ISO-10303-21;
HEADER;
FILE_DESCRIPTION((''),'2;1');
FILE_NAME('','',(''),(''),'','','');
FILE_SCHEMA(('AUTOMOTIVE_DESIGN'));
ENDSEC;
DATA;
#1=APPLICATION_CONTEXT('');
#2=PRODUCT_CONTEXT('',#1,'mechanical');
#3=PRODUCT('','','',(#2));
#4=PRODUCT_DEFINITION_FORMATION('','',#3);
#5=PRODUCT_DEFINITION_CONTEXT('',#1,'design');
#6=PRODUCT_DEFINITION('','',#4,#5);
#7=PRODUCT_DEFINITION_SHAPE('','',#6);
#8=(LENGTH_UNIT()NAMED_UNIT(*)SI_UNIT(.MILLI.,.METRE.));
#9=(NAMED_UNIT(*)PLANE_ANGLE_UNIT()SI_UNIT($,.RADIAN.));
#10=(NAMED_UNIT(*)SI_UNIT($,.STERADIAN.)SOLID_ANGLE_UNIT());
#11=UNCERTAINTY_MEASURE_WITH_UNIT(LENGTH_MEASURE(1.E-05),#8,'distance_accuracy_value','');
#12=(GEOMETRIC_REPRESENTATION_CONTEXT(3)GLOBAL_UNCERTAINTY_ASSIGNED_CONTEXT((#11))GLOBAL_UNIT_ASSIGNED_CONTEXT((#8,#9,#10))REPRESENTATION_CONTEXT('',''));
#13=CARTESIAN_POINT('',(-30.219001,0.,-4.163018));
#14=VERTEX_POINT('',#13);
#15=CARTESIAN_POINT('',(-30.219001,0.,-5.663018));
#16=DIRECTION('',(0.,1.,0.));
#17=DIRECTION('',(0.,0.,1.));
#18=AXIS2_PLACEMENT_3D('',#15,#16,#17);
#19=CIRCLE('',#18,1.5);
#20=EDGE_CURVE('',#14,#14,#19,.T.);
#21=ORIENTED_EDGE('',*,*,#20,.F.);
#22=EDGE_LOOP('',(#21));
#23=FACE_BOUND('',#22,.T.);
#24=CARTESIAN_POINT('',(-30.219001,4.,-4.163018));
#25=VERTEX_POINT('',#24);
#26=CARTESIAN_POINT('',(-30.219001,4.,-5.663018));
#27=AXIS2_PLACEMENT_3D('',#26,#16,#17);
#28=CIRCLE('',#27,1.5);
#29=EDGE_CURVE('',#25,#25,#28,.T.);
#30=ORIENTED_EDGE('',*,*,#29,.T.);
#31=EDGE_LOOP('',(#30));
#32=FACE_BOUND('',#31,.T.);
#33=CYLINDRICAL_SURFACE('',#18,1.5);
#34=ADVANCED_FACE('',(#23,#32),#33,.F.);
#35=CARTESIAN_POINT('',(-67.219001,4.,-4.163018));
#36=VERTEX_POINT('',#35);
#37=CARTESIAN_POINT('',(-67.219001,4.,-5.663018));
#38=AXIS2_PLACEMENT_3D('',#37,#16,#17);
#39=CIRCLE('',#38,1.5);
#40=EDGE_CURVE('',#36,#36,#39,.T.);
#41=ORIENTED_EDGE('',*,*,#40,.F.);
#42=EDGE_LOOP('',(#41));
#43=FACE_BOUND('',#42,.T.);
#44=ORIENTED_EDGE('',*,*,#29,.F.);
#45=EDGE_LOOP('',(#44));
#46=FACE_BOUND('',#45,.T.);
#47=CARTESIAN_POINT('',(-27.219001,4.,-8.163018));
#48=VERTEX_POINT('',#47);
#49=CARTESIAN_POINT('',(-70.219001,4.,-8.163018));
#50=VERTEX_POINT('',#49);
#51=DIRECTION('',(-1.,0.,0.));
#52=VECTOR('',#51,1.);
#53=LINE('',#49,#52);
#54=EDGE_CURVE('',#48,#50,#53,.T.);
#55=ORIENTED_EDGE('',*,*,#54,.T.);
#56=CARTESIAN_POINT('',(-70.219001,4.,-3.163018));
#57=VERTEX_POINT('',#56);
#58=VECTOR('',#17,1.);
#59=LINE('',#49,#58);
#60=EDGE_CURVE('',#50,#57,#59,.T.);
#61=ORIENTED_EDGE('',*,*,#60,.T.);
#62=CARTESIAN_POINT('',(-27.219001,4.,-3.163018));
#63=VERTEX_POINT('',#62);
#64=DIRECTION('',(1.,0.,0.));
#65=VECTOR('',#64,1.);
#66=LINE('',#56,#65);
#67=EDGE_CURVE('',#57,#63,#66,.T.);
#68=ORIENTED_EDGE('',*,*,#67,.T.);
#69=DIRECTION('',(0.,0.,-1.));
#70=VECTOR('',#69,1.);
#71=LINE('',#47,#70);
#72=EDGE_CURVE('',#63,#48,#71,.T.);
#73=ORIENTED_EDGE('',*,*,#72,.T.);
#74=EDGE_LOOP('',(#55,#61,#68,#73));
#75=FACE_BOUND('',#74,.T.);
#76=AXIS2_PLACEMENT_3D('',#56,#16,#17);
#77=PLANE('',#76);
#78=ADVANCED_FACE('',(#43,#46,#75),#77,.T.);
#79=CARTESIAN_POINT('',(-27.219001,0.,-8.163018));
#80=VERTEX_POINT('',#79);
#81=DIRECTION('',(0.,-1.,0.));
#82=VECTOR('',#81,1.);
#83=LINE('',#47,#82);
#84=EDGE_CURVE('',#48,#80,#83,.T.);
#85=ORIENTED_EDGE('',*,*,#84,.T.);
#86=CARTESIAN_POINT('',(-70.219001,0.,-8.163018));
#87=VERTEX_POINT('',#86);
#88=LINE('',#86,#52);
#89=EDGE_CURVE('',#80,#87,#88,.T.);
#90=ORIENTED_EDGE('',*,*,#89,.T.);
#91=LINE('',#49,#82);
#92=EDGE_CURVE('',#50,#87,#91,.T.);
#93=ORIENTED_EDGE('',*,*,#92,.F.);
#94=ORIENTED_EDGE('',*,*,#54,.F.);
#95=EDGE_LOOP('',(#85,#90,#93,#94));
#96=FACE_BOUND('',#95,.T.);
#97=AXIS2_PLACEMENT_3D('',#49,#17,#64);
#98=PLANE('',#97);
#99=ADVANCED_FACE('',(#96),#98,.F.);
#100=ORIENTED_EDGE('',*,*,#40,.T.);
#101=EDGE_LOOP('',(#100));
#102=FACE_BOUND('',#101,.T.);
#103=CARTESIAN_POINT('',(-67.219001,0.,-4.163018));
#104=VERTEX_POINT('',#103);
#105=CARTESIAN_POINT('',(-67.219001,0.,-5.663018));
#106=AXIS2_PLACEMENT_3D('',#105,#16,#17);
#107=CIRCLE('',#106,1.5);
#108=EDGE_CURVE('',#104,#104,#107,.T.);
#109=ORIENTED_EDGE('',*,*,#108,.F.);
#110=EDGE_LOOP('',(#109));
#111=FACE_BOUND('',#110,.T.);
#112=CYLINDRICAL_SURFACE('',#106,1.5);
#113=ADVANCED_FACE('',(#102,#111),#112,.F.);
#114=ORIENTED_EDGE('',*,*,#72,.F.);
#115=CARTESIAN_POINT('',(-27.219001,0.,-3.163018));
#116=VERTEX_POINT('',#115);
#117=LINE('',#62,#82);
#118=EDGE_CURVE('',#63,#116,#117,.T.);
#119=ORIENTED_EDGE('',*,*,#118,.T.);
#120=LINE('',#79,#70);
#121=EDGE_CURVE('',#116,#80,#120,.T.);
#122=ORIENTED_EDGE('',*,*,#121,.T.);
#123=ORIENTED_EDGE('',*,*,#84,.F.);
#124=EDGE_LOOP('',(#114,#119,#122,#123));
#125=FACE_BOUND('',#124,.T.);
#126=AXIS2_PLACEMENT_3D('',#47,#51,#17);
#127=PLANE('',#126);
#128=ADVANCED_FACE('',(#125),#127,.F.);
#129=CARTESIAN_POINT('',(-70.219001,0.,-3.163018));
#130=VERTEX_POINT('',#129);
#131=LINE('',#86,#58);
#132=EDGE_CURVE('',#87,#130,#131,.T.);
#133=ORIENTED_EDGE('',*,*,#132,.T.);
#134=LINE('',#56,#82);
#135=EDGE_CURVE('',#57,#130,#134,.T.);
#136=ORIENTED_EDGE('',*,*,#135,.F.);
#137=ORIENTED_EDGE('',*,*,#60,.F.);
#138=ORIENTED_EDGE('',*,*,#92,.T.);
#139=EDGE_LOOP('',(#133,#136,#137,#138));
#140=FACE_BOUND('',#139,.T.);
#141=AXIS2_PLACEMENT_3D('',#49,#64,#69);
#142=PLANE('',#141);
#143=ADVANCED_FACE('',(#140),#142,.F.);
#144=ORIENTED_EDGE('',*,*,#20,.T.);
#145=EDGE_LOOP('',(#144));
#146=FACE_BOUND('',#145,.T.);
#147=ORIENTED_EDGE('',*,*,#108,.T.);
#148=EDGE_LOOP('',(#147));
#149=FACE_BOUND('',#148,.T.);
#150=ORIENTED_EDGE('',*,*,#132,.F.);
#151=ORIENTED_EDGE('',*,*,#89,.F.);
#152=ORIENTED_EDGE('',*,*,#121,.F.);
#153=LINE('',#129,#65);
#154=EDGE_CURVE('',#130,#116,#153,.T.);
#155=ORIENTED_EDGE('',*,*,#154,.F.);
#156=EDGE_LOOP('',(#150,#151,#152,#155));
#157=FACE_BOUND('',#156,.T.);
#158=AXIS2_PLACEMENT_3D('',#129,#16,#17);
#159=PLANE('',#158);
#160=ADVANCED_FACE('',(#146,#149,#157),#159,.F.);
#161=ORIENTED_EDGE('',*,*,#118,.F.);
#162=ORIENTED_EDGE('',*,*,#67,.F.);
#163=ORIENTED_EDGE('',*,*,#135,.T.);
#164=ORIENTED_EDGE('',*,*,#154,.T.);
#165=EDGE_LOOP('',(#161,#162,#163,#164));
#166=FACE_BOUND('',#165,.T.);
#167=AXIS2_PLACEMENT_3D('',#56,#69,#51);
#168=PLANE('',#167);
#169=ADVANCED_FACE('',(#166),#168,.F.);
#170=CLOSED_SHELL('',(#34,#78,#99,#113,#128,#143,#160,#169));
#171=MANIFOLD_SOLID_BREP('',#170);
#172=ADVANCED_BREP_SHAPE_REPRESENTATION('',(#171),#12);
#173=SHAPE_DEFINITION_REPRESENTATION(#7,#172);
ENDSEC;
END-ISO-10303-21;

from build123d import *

# Parameters (mm, degrees)
SKETCH_1_W          = 43
SKETCH_1_H          = 5
EXTRUDE_1_DEPTH     = 4
SKETCH_2_R          = 1.5
CUT_EXTRUDE_1_DEPTH = 4


with BuildPart() as part:
    # Эскиз1 → Бобышка-Вытянуть1 (new body)
    with BuildSketch(Plane(origin=(0, 0, 0), x_dir=(1, 0, 0), z_dir=(0, 1, 0))):
        with Locations((-48.719000759, 5.663018052)):
            Rectangle(SKETCH_1_W, SKETCH_1_H)
    extrude(amount=EXTRUDE_1_DEPTH)

    # Эскиз2 → Вырез-Вытянуть1 (cut)
    with BuildSketch(Plane(origin=(0, 4, 0), x_dir=(-1, 0, 0), z_dir=(0, 1, 0))):
        with Locations(Location((67.219000759, -5.663018052, 0), (0, 0, 90))):
            Circle(SKETCH_2_R)
        with Locations(Location((30.219000759, -5.663018052, 0), (0, 0, 90))):
            Circle(SKETCH_2_R)
    extrude(amount=-CUT_EXTRUDE_1_DEPTH, mode=Mode.SUBTRACT)


solid = part.part
